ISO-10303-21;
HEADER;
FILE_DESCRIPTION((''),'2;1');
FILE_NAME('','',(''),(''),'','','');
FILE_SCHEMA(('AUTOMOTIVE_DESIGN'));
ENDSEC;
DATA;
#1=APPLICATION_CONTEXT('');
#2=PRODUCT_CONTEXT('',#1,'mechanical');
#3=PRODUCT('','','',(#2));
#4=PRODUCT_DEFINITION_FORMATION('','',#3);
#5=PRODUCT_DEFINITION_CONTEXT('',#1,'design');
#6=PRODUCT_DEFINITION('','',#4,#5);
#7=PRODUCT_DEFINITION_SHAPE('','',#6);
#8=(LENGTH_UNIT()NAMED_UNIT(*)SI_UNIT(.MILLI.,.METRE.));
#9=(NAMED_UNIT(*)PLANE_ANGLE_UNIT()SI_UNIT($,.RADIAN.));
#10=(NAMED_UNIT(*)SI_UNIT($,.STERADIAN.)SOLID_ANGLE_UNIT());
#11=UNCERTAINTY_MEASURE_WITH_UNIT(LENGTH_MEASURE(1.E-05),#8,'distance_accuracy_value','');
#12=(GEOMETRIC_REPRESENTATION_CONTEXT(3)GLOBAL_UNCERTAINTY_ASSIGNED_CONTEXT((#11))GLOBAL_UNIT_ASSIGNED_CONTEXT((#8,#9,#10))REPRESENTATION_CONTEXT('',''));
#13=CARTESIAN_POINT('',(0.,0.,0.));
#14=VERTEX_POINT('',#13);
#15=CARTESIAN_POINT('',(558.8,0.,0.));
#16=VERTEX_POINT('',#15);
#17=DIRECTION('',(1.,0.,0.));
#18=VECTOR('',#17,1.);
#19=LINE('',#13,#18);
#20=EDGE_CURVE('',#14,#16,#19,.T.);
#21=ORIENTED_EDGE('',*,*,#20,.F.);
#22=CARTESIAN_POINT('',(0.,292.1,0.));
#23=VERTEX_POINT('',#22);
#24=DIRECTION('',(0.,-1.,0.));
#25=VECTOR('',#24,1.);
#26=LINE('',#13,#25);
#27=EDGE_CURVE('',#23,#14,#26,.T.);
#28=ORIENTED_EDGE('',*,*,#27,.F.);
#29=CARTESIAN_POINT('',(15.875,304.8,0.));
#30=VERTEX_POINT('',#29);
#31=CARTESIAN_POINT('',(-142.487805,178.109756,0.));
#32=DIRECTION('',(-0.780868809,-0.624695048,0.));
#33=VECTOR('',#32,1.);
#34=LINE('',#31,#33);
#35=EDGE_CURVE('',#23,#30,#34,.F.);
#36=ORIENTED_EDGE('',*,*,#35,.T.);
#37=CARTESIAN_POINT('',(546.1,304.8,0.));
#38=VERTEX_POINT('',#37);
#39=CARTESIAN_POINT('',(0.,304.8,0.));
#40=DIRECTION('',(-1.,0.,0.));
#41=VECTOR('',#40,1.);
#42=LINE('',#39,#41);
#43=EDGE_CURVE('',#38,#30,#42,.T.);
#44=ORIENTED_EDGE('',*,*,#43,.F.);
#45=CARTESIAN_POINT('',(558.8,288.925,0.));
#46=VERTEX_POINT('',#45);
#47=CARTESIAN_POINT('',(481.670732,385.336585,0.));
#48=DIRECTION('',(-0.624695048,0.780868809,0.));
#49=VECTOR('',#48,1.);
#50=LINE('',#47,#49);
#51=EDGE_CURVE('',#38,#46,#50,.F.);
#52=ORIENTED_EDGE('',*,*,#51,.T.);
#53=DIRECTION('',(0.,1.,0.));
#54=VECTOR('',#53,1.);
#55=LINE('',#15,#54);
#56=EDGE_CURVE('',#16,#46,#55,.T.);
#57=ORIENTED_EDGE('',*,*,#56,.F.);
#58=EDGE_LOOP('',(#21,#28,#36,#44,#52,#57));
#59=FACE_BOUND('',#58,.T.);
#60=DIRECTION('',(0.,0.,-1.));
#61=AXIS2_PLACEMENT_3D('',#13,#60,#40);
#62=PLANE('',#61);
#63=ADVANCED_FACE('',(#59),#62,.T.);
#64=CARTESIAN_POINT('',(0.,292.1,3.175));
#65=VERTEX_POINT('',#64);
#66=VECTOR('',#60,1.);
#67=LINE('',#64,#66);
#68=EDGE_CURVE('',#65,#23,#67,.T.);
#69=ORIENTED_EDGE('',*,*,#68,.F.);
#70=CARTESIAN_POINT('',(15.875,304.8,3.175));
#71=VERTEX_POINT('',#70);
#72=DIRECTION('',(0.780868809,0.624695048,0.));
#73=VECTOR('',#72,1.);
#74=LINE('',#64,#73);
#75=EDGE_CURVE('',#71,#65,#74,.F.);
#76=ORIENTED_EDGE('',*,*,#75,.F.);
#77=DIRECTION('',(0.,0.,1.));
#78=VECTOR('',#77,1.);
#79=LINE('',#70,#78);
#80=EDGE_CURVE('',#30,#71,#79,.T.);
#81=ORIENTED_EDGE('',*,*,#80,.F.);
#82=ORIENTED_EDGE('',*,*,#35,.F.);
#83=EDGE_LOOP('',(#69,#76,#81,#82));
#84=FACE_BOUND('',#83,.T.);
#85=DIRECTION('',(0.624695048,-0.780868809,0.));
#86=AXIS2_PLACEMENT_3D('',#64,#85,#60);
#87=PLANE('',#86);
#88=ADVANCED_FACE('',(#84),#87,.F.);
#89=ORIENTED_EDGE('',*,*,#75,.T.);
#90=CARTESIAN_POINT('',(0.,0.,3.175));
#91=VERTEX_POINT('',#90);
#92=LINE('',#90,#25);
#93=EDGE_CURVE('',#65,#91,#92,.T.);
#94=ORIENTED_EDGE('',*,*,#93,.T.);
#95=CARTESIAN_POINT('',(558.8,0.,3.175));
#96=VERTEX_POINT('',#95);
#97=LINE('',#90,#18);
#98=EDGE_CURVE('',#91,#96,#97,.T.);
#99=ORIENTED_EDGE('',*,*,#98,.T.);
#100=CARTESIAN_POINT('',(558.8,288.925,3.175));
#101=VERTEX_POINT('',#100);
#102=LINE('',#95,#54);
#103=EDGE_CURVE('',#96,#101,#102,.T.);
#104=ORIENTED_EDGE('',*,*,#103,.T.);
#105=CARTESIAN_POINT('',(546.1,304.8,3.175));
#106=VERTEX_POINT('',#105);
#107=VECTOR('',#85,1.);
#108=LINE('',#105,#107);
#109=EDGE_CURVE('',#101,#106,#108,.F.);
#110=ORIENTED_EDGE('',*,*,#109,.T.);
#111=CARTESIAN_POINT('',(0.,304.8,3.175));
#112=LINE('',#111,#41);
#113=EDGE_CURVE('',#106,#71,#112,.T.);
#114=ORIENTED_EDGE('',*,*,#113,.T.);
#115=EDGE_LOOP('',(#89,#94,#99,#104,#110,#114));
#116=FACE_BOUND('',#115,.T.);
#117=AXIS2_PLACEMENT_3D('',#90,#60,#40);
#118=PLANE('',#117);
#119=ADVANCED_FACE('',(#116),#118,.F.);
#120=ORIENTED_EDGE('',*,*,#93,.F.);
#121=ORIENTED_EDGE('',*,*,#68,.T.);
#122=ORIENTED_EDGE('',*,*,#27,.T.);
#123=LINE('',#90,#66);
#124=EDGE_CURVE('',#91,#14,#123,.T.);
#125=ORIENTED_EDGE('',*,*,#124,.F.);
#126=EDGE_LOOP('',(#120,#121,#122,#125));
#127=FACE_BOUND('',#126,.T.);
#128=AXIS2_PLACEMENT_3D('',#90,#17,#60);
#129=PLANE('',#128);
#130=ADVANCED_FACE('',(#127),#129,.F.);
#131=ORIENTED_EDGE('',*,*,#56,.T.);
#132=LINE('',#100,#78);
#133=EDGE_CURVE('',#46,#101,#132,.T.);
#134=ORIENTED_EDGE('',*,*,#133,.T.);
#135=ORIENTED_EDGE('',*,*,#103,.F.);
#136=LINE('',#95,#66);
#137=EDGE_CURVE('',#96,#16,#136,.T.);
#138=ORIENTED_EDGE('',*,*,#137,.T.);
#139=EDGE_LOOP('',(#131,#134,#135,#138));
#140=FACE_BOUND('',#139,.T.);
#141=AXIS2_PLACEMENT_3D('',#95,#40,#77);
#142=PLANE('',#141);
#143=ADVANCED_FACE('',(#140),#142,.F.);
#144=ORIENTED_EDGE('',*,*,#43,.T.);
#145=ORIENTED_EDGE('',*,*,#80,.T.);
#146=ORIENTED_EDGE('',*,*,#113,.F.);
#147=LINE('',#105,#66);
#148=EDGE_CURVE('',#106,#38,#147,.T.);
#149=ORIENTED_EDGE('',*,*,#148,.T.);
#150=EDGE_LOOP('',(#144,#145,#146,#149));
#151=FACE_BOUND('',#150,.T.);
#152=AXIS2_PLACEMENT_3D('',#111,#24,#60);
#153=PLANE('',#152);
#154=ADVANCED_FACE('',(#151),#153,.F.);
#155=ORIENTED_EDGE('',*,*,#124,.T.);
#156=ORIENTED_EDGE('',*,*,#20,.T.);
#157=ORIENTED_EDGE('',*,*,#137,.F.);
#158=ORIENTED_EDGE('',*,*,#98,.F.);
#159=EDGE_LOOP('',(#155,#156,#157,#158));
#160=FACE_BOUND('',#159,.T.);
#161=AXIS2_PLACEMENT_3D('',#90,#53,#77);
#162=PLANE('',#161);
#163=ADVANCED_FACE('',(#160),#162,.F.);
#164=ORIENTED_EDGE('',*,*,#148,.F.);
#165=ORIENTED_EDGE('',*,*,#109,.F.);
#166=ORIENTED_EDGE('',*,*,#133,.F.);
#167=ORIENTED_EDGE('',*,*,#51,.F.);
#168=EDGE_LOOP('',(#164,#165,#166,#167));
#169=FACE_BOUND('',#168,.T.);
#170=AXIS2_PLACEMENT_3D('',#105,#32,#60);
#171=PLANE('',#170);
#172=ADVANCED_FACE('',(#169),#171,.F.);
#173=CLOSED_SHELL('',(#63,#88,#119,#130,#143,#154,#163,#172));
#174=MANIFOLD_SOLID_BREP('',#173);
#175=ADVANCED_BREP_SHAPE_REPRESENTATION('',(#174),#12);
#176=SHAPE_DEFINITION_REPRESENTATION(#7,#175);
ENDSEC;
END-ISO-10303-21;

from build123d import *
from OCP.BRepFilletAPI import BRepFilletAPI_MakeChamfer

# Parameters (mm, degrees)
SKETCH1_W           = 558.8
SKETCH1_H           = 304.8
BOSS_EXTRUDE1_DEPTH = 3.175
CHAMFER1_SIZE       = 15.875
CHAMFER1_SIZE2      = 12.7


with BuildPart() as part:
    # Sketch1 → Boss-Extrude1 (new body)
    with BuildSketch(Plane.XY):
        with Locations((279.4, 152.4)):
            Rectangle(SKETCH1_W, SKETCH1_H)
    extrude(amount=BOSS_EXTRUDE1_DEPTH)

    # Chamfer1: one chamfer whose edges measure the first distance from different faces: ONE call of the kernel's chamfer builder (chamfer() names one face for all edges)
    chamfer1_edges_1 = [part.edges().sort_by_distance(p)[0] for p in [
        (0, 304.8, 1.5875),
    ]]
    chamfer1_side_1 = [part.faces().sort_by_distance(p)[0] for p in [
        (279.4, 304.8, 1.5875),
    ]]
    chamfer1_edges_2 = [part.edges().sort_by_distance(p)[0] for p in [
        (558.8, 304.8, 1.5875),
    ]]
    chamfer1_side_2 = [part.faces().sort_by_distance(p)[0] for p in [
        (558.8, 152.4, 1.5875),
    ]]
    chamfer1 = BRepFilletAPI_MakeChamfer(part.part.solid().wrapped)
    for e in chamfer1_edges_1:
        chamfer1.Add(CHAMFER1_SIZE, CHAMFER1_SIZE2, e.wrapped, chamfer1_side_1[0].wrapped)  # the first distance lies on this face
    for e in chamfer1_edges_2:
        chamfer1.Add(CHAMFER1_SIZE, CHAMFER1_SIZE2, e.wrapped, chamfer1_side_2[0].wrapped)  # the first distance lies on this face
    add(Compound.cast(chamfer1.Shape()), mode=Mode.REPLACE)


solid = part.part
